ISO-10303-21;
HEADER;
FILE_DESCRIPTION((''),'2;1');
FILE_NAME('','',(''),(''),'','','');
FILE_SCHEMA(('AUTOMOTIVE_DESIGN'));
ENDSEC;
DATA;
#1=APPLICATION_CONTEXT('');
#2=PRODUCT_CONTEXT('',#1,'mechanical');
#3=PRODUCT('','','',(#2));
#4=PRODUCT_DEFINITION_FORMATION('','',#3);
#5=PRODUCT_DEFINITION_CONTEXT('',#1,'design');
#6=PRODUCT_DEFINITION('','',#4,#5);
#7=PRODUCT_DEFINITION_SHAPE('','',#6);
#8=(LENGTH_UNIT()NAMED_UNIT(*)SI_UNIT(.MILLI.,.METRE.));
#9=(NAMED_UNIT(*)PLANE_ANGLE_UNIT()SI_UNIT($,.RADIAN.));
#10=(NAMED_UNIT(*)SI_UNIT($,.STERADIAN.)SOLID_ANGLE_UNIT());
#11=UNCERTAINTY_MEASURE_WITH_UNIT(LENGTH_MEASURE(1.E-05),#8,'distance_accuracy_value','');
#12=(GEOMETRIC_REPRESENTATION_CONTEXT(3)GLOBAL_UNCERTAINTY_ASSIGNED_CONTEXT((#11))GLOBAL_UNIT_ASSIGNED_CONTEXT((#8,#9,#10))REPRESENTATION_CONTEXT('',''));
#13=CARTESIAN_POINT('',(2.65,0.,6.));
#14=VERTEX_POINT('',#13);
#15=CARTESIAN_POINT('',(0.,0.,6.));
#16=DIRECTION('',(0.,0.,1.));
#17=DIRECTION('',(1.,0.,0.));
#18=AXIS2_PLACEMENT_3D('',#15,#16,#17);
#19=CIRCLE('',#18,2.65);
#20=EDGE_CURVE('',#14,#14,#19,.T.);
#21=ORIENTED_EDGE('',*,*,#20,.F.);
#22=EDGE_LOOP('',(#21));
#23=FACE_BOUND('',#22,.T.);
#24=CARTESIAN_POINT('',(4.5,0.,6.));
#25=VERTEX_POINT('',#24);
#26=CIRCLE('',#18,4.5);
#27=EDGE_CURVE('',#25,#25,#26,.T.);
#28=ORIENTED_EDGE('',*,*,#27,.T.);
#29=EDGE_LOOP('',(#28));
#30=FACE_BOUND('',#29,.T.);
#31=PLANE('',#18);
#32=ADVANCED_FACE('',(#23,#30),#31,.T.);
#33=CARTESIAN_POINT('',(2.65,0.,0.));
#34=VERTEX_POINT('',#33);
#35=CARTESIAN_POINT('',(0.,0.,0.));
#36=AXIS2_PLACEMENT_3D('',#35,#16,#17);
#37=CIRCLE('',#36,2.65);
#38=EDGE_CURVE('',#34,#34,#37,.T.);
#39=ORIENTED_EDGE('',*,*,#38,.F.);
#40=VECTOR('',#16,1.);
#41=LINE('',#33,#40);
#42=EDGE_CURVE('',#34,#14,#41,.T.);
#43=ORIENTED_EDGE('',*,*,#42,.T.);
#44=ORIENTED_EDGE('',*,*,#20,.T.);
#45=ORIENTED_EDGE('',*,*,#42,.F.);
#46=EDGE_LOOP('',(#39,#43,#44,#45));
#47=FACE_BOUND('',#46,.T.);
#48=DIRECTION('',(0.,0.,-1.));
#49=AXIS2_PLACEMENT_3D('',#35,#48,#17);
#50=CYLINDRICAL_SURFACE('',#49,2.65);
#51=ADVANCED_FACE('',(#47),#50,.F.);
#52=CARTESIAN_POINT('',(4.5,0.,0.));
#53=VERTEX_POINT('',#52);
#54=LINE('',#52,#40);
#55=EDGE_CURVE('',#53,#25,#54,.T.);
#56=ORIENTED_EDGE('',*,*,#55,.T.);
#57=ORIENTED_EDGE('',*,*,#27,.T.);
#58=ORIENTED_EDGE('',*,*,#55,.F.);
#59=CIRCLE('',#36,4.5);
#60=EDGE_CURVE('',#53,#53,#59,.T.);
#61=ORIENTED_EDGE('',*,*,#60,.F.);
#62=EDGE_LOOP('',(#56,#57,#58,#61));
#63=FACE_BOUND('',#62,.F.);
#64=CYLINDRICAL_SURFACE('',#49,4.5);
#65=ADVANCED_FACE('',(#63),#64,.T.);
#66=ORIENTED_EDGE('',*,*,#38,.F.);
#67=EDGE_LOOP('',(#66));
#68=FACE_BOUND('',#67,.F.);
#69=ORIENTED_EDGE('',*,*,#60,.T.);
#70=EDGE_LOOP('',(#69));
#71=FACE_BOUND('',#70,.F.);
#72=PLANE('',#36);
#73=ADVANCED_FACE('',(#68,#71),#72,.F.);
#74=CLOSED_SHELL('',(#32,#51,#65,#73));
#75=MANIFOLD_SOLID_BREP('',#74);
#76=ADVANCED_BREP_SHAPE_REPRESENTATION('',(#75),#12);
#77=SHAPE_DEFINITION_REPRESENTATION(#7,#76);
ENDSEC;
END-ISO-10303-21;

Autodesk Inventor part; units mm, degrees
ref_plane "YZ Plane" through (0, 0, 0) normal (1, 0, 0) x (0, 1, 0)
ref_plane "XZ Plane" through (0, 0, 0) normal (0, 1, 0) x (-1, 0, 0)
ref_plane "XY Plane" through (0, 0, 0) normal (0, 0, 1) x (1, 0, 0)
sketch "Sketch1" plane through (0, 0, 0) normal (0, 0, 1) x (1, 0, 0)
  circle A0 centre (0, 0) radius 4.5
  circle A1 centre (0, 0) radius 2.65
  dimension "d0" = 5.3
  dimension "d1" = 9
extrude "Extrusion1" add sketch "Sketch1" along normal blind 6
properties part number "whellspacer"
